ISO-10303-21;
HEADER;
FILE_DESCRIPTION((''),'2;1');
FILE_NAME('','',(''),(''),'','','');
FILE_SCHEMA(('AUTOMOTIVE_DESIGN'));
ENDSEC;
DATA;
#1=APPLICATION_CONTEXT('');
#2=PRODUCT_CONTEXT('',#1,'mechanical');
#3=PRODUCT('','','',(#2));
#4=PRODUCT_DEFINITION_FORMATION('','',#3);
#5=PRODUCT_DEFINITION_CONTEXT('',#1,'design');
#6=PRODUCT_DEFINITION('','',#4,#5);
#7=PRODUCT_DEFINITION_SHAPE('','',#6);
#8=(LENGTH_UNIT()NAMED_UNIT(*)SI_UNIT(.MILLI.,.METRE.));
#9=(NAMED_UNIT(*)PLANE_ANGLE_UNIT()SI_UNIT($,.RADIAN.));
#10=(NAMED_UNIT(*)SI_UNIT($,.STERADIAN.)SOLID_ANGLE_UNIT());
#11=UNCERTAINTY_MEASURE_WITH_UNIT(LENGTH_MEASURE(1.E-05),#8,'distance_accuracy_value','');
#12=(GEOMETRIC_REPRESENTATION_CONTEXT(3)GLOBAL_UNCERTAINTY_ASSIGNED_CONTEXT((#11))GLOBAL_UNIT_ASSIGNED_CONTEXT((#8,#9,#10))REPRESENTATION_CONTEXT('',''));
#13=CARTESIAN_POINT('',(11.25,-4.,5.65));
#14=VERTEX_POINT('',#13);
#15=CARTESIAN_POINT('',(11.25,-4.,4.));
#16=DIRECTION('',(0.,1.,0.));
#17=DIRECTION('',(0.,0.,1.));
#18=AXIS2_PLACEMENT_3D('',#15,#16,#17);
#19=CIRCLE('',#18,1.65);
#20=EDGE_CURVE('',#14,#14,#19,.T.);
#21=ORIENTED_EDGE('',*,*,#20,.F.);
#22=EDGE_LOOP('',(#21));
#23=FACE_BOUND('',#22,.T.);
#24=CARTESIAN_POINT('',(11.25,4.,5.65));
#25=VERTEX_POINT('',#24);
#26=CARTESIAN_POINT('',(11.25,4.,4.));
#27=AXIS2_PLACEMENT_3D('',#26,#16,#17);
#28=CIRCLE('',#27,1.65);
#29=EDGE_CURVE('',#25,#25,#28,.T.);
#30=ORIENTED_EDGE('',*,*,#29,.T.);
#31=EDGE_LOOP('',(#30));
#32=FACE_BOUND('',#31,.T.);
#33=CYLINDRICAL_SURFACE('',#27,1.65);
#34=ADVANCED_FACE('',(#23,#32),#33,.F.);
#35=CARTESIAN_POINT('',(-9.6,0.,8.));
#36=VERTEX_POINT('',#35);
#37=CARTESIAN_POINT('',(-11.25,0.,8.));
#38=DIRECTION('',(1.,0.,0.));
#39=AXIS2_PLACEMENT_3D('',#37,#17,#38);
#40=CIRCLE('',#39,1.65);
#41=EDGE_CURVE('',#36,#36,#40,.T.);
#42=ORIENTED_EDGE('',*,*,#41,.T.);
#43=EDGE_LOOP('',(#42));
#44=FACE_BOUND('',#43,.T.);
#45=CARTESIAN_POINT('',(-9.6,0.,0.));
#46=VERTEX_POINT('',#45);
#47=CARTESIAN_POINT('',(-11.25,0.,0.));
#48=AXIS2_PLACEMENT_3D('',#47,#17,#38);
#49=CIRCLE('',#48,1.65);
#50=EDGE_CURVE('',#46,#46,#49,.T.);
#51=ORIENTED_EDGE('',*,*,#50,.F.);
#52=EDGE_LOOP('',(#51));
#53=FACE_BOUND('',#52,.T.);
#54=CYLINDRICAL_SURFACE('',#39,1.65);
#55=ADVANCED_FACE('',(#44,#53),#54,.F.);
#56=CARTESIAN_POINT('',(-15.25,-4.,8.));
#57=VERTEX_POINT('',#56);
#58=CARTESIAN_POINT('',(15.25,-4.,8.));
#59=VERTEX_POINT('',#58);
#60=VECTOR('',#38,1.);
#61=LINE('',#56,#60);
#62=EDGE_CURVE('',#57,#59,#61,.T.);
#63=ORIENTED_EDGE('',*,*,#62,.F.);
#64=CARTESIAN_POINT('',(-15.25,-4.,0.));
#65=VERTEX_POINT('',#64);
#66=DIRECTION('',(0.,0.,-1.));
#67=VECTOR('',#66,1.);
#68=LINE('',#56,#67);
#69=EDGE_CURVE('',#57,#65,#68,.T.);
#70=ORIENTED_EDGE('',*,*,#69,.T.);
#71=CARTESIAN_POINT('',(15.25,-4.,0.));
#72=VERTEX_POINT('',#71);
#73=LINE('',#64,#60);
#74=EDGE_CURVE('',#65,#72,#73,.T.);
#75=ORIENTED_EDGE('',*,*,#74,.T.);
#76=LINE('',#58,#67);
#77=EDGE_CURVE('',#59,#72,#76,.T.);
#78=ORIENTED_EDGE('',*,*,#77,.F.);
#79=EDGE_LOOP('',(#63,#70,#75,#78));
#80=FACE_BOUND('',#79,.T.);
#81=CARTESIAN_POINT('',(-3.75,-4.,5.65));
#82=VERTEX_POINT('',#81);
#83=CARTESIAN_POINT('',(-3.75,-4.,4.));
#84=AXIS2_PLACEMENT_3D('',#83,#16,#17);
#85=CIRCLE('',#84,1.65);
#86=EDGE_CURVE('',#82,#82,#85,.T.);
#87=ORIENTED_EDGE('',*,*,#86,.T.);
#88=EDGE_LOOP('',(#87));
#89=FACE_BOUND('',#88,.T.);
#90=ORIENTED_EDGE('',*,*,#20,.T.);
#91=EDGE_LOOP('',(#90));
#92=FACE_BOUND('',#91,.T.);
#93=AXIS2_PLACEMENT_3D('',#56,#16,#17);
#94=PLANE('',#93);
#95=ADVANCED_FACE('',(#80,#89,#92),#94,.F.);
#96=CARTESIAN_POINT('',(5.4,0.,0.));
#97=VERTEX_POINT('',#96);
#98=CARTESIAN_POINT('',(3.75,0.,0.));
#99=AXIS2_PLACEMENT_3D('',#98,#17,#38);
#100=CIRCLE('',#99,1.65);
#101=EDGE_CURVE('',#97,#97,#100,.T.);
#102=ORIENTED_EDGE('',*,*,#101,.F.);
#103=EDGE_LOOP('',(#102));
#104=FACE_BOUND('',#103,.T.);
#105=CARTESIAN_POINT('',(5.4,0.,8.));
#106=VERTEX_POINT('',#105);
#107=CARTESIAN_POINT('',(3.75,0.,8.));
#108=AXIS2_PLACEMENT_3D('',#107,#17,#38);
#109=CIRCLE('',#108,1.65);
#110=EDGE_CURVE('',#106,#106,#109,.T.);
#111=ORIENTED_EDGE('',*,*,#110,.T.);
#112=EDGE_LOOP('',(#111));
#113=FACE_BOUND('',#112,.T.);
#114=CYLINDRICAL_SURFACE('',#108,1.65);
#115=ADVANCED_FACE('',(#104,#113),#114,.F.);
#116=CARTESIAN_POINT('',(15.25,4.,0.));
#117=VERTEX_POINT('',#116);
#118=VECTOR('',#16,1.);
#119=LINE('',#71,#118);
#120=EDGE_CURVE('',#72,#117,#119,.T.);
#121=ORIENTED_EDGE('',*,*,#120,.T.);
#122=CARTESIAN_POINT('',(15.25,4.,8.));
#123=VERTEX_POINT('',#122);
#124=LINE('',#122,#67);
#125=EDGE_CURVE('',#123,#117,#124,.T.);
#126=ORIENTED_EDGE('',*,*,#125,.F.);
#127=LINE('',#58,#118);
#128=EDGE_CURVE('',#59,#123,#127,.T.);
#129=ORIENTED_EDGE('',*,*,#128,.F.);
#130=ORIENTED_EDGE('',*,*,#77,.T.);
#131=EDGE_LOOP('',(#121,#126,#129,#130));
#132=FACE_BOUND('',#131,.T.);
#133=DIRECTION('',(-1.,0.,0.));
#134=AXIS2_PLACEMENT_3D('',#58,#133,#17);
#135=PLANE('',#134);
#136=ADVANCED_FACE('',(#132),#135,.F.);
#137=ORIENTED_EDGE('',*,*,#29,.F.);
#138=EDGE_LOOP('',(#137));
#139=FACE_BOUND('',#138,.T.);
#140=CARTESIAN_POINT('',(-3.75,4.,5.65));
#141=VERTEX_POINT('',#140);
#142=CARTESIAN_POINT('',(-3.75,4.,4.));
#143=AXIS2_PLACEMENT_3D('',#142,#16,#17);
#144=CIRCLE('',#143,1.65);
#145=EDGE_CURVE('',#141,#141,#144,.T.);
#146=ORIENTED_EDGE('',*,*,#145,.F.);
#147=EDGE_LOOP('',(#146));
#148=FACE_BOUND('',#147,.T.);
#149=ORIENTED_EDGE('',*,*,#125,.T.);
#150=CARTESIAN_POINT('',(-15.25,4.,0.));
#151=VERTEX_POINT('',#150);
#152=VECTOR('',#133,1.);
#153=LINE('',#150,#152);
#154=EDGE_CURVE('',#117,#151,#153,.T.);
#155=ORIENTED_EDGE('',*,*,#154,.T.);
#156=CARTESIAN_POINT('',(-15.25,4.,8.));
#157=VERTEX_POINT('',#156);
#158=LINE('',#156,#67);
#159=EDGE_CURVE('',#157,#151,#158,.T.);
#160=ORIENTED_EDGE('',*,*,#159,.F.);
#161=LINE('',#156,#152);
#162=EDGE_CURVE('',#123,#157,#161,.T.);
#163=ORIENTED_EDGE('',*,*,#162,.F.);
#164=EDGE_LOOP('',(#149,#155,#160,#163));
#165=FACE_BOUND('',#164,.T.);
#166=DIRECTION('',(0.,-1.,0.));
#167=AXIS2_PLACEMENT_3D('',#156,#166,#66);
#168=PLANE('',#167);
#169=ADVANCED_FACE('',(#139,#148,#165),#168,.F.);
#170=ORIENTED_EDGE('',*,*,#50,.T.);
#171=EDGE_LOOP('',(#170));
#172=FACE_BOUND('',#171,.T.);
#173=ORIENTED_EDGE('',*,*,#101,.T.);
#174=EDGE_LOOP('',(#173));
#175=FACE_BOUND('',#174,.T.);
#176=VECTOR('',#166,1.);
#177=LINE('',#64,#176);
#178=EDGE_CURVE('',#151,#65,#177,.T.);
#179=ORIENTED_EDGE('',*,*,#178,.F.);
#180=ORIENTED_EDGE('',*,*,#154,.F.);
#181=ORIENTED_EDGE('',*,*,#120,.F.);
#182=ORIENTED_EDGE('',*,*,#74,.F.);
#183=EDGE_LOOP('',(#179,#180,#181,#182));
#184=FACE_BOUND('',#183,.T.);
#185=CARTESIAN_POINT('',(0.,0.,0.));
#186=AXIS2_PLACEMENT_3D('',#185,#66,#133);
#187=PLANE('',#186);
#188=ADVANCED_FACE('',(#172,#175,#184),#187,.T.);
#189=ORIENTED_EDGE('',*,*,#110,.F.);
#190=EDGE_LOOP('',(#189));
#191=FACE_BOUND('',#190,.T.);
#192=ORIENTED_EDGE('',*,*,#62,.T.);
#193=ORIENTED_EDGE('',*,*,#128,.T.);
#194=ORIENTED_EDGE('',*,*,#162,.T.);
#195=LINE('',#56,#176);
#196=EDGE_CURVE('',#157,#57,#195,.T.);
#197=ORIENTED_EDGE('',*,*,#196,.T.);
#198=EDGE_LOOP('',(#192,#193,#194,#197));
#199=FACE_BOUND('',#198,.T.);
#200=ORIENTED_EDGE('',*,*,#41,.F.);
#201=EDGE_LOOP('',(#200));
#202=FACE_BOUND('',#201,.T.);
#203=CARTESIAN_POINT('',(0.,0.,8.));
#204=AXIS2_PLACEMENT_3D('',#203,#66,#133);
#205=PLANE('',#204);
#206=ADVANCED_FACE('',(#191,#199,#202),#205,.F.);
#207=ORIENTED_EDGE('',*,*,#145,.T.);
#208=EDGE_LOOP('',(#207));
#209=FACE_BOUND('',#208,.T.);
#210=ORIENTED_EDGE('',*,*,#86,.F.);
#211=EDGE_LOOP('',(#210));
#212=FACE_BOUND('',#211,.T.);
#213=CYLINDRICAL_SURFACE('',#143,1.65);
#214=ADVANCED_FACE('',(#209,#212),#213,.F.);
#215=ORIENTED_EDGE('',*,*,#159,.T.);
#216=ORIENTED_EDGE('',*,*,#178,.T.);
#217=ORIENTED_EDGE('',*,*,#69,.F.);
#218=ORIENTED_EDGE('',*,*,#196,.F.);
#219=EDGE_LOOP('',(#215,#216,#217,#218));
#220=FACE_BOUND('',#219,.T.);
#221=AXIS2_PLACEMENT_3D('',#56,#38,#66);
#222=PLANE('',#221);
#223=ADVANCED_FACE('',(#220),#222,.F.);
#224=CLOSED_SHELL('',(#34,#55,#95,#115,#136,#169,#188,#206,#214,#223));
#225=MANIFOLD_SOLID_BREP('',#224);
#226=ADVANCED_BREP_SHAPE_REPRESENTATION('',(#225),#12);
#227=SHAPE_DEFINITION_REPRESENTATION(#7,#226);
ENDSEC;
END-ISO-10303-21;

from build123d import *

# Parameters (mm, degrees)
SKETCH_1_W         = 30.5
SKETCH_1_H         = 8
EXTRUDE_1_DEPTH    = 8
HOLE_WIZARD_M4_1_D = 3.3
HOLE_WIZARD_M4_2_D = 3.3


with BuildPart() as part:
    # 草图1 → 凸台-拉伸1 (new body)
    with BuildSketch(Plane.XY):
        Rectangle(SKETCH_1_W, SKETCH_1_H)
    extrude(amount=EXTRUDE_1_DEPTH)

    # M4 螺纹孔1 (through all)
    with Locations(Plane(origin=(3.75, 0, 8), x_dir=(1, 0, 0), z_dir=(0, 0, 1))):
        with Locations((0, 0), (-15, 0)):
            Hole(HOLE_WIZARD_M4_1_D / 2)

    # M4 螺纹孔2 (through all)
    with Locations(Plane(origin=(-3.75, 4, 4), x_dir=(0, 0, 1), z_dir=(0, 1, 0))):
        with Locations((0, 0), (0, 15)):
            Hole(HOLE_WIZARD_M4_2_D / 2)


solid = part.part
